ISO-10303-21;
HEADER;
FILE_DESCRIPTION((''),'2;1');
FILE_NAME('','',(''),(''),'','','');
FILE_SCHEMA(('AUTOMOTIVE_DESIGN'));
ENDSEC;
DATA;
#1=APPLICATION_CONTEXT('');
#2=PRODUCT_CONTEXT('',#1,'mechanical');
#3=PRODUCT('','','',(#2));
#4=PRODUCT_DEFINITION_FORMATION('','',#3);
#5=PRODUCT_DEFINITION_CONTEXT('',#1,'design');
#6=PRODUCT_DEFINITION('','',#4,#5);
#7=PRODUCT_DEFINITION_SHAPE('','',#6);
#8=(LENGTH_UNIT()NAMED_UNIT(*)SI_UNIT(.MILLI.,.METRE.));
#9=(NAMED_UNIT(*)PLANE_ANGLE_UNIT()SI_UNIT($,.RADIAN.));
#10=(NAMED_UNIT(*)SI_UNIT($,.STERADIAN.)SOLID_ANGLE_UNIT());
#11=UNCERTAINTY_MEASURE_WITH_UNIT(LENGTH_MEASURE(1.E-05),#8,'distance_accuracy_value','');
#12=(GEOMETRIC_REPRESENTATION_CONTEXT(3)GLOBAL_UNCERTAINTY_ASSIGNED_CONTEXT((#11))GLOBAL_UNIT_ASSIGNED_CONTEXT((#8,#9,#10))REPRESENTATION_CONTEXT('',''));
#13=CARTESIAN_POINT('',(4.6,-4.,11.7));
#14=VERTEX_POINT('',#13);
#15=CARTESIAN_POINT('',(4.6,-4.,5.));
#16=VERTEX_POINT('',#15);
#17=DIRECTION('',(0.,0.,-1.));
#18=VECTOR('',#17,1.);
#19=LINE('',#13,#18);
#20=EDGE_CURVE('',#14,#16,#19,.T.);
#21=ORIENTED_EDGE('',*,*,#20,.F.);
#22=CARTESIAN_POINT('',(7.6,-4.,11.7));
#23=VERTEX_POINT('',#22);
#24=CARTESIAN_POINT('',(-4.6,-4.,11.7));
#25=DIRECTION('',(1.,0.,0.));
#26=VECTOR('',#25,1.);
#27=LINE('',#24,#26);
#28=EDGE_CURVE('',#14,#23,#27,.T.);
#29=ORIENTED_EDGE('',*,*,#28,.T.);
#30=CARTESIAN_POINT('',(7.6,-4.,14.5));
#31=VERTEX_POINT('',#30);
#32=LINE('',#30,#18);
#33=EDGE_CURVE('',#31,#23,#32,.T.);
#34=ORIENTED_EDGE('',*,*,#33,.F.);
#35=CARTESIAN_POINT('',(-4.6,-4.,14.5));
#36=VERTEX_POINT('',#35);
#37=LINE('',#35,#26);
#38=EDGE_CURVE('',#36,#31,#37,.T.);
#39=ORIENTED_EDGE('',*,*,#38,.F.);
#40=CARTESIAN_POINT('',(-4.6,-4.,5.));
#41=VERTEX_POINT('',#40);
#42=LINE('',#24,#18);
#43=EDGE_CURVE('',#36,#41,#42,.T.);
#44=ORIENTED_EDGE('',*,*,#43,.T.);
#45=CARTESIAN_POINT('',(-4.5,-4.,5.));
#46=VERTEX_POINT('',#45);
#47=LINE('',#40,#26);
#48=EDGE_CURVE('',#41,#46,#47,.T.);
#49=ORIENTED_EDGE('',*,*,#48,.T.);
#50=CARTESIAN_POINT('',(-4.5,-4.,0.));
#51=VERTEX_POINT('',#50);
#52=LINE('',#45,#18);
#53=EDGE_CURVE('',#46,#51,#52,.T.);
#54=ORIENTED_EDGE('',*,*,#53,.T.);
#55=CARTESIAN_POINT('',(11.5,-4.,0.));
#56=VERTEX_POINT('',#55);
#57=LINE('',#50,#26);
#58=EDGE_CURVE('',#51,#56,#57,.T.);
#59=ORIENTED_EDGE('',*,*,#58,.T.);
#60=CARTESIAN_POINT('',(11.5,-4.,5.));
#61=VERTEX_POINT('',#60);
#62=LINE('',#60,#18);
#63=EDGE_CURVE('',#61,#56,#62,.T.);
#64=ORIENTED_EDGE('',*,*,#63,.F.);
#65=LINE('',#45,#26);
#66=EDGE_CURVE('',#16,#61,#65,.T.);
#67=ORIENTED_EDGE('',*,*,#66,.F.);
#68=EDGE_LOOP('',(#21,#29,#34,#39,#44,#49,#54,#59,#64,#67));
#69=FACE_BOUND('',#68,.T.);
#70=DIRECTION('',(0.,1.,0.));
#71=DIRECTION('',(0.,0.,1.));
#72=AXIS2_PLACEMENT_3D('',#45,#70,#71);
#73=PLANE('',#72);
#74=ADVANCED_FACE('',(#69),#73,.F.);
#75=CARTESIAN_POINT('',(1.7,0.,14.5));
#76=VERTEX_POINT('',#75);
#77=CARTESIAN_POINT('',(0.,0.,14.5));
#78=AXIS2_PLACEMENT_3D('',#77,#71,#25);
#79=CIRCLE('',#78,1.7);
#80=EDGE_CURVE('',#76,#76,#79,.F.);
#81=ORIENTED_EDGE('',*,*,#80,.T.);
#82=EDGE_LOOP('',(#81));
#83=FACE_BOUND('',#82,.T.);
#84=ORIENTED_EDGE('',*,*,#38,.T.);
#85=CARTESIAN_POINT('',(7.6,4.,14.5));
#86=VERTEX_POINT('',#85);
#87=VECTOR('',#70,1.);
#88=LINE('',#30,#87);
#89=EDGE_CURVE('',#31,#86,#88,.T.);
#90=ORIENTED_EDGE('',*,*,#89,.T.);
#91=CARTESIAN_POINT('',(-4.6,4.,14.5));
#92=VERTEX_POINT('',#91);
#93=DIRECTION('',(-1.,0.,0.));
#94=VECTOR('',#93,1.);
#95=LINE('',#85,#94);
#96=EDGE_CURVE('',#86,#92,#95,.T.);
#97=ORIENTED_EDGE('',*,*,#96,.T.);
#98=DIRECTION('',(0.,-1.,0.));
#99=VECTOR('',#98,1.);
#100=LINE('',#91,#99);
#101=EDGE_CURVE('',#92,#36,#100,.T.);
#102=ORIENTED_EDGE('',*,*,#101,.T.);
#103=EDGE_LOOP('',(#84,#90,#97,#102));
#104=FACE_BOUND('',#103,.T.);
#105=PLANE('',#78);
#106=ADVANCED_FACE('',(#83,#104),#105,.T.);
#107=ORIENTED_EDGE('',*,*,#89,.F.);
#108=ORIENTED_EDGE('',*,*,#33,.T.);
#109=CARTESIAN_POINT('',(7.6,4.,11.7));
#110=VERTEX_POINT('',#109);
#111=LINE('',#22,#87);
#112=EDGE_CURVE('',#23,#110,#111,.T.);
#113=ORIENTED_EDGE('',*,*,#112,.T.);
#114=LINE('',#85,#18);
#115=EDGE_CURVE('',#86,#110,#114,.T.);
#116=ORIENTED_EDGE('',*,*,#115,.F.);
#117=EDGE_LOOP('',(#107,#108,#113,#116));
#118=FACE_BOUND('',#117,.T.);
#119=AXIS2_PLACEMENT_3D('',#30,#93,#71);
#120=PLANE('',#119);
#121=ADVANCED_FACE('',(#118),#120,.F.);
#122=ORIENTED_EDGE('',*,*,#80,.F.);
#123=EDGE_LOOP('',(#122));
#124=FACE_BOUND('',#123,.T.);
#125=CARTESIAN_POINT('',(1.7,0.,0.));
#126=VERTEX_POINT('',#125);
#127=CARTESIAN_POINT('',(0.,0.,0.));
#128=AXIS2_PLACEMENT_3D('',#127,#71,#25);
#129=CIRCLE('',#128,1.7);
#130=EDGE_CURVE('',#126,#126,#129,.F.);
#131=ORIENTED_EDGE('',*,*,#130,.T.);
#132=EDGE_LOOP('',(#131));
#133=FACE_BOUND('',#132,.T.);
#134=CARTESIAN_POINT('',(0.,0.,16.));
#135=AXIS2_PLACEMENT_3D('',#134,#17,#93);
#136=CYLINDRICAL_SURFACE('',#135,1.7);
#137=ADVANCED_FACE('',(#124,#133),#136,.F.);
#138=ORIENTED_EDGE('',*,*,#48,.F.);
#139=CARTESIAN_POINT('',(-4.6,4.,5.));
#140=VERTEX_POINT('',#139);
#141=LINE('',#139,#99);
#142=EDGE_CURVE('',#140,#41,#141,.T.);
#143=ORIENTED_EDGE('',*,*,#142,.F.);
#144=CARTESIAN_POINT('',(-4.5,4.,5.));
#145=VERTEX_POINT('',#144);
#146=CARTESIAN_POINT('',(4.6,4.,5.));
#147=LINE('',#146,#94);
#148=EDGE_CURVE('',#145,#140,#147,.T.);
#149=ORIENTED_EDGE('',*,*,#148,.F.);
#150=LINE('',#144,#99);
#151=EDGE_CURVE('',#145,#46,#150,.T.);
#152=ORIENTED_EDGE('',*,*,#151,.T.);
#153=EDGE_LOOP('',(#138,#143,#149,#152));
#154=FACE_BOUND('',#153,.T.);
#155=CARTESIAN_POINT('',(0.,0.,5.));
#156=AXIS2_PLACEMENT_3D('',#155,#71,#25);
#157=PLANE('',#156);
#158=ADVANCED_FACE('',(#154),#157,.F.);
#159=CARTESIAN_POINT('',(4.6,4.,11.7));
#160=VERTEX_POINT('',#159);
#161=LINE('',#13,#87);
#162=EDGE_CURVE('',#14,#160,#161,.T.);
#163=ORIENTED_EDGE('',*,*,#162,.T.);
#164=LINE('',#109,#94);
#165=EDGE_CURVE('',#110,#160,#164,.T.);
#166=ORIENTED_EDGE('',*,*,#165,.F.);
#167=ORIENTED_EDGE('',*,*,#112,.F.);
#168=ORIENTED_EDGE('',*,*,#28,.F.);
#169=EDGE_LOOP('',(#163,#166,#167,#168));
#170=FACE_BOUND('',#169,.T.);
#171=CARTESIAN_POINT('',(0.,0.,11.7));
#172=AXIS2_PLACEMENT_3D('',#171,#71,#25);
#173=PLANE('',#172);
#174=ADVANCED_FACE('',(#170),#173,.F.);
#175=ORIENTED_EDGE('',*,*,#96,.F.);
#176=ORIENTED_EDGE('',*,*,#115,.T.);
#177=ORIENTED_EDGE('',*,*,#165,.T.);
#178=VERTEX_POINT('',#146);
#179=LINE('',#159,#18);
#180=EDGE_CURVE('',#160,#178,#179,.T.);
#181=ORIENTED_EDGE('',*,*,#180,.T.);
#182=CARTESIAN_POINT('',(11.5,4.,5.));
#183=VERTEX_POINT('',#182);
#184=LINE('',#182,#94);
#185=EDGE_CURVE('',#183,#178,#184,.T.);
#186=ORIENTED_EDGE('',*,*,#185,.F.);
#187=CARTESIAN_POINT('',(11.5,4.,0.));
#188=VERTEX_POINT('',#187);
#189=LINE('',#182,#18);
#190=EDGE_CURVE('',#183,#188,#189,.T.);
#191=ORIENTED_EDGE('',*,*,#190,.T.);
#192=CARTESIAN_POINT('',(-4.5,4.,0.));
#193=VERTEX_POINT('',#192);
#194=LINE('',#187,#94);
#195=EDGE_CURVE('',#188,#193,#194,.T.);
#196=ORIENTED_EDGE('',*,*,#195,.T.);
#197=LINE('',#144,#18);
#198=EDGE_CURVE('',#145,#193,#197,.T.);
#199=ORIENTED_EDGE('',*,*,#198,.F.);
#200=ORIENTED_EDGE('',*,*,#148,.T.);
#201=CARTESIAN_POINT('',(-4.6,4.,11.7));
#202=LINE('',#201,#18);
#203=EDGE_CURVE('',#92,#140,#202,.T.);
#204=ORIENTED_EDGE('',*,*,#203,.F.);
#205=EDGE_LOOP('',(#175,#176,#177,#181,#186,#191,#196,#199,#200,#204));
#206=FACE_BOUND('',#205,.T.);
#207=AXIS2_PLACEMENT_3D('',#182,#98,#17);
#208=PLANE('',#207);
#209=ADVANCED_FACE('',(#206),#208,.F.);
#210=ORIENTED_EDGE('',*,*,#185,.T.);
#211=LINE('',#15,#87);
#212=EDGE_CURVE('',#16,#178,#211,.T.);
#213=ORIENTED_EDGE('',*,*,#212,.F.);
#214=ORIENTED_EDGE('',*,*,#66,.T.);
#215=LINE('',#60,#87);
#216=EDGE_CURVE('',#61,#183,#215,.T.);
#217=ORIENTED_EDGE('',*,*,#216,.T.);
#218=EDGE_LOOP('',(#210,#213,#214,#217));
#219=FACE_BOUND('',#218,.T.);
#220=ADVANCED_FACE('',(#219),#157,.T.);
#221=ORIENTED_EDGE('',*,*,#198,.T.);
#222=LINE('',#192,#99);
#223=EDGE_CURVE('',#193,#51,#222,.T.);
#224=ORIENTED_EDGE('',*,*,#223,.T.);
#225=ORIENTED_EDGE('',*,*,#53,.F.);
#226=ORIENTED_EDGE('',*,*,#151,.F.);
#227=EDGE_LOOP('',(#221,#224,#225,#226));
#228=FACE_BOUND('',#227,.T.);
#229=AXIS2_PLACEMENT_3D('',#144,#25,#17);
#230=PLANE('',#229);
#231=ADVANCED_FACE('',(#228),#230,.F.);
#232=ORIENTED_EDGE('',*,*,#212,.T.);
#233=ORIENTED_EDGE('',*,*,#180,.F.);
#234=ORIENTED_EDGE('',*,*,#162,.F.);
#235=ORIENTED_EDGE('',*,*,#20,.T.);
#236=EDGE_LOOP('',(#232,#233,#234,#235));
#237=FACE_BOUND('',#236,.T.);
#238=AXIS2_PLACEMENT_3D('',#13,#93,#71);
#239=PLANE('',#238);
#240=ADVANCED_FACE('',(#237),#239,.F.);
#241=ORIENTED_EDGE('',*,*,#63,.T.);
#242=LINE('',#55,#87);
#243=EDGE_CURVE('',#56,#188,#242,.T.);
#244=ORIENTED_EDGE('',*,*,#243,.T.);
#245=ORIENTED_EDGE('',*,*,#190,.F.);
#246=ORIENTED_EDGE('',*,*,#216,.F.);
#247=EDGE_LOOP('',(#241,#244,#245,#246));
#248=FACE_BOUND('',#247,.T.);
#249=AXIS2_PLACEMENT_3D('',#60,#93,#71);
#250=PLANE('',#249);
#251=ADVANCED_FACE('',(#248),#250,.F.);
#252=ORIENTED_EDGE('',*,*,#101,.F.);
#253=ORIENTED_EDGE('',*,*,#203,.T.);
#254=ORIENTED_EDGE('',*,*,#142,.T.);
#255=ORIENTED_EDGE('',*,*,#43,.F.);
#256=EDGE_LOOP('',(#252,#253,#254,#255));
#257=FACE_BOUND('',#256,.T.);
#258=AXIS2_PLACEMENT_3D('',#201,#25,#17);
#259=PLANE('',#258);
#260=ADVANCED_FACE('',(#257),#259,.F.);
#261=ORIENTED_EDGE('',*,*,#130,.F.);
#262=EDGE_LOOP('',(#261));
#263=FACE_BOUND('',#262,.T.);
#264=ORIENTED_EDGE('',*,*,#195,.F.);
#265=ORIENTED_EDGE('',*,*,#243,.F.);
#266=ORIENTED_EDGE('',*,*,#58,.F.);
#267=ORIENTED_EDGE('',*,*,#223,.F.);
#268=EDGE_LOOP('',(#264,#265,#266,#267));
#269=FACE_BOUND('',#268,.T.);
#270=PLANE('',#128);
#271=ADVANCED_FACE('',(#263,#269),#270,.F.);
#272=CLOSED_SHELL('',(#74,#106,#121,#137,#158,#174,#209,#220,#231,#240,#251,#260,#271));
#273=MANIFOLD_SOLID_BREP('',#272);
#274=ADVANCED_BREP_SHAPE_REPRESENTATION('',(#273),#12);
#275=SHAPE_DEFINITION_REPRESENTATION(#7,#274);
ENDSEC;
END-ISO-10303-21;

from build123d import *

# Parameters (mm, degrees)
SKETCH_FOOT_AND_SUPPORT_SHELF_W = 16
SKETCH_FOOT_AND_SUPPORT_SHELF_H = 8
FOOT_AND_SUPPORT_SHELF_DEPTH    = 5
CLAMP_UPRIGHT_START             = 5
SKETCH_CLAMP_UPRIGHT_W          = 9.2
SKETCH_CLAMP_UPRIGHT_H          = 8
CLAMP_UPRIGHT_DEPTH             = 6.7
CORNER_RETAINING_LIP_START      = 11.7
SKETCH_CORNER_RETAINING_LIP_W   = 12.2
SKETCH_CORNER_RETAINING_LIP_H   = 8
CORNER_RETAINING_LIP_DEPTH      = 2.8
M3_THROUGH_START                = -1
SKETCH_M3_THROUGH_R             = 1.7
M3_THROUGH_DEPTH                = 17


with BuildPart() as part:
    # Sketch_Foot_and_support_shelf → Foot_and_support_shelf (new body)
    with BuildSketch(Plane.XY):
        with Locations((3.5, 0)):
            Rectangle(SKETCH_FOOT_AND_SUPPORT_SHELF_W, SKETCH_FOOT_AND_SUPPORT_SHELF_H)
    extrude(amount=FOOT_AND_SUPPORT_SHELF_DEPTH)

    # Sketch_Clamp_upright → Clamp_upright (add)
    with BuildSketch(Plane.XY.offset(CLAMP_UPRIGHT_START)):
        Rectangle(SKETCH_CLAMP_UPRIGHT_W, SKETCH_CLAMP_UPRIGHT_H)
    extrude(amount=CLAMP_UPRIGHT_DEPTH)

    # Sketch_Corner_retaining_lip → Corner_retaining_lip (add)
    with BuildSketch(Plane.XY.offset(CORNER_RETAINING_LIP_START)):
        with Locations((1.5, 0)):
            Rectangle(SKETCH_CORNER_RETAINING_LIP_W, SKETCH_CORNER_RETAINING_LIP_H)
    extrude(amount=CORNER_RETAINING_LIP_DEPTH)

    # Sketch_M3_through → M3_through (cut)
    with BuildSketch(Plane.XY.offset(M3_THROUGH_START)):
        Circle(SKETCH_M3_THROUGH_R)
    extrude(amount=M3_THROUGH_DEPTH, mode=Mode.SUBTRACT)


solid = part.part
